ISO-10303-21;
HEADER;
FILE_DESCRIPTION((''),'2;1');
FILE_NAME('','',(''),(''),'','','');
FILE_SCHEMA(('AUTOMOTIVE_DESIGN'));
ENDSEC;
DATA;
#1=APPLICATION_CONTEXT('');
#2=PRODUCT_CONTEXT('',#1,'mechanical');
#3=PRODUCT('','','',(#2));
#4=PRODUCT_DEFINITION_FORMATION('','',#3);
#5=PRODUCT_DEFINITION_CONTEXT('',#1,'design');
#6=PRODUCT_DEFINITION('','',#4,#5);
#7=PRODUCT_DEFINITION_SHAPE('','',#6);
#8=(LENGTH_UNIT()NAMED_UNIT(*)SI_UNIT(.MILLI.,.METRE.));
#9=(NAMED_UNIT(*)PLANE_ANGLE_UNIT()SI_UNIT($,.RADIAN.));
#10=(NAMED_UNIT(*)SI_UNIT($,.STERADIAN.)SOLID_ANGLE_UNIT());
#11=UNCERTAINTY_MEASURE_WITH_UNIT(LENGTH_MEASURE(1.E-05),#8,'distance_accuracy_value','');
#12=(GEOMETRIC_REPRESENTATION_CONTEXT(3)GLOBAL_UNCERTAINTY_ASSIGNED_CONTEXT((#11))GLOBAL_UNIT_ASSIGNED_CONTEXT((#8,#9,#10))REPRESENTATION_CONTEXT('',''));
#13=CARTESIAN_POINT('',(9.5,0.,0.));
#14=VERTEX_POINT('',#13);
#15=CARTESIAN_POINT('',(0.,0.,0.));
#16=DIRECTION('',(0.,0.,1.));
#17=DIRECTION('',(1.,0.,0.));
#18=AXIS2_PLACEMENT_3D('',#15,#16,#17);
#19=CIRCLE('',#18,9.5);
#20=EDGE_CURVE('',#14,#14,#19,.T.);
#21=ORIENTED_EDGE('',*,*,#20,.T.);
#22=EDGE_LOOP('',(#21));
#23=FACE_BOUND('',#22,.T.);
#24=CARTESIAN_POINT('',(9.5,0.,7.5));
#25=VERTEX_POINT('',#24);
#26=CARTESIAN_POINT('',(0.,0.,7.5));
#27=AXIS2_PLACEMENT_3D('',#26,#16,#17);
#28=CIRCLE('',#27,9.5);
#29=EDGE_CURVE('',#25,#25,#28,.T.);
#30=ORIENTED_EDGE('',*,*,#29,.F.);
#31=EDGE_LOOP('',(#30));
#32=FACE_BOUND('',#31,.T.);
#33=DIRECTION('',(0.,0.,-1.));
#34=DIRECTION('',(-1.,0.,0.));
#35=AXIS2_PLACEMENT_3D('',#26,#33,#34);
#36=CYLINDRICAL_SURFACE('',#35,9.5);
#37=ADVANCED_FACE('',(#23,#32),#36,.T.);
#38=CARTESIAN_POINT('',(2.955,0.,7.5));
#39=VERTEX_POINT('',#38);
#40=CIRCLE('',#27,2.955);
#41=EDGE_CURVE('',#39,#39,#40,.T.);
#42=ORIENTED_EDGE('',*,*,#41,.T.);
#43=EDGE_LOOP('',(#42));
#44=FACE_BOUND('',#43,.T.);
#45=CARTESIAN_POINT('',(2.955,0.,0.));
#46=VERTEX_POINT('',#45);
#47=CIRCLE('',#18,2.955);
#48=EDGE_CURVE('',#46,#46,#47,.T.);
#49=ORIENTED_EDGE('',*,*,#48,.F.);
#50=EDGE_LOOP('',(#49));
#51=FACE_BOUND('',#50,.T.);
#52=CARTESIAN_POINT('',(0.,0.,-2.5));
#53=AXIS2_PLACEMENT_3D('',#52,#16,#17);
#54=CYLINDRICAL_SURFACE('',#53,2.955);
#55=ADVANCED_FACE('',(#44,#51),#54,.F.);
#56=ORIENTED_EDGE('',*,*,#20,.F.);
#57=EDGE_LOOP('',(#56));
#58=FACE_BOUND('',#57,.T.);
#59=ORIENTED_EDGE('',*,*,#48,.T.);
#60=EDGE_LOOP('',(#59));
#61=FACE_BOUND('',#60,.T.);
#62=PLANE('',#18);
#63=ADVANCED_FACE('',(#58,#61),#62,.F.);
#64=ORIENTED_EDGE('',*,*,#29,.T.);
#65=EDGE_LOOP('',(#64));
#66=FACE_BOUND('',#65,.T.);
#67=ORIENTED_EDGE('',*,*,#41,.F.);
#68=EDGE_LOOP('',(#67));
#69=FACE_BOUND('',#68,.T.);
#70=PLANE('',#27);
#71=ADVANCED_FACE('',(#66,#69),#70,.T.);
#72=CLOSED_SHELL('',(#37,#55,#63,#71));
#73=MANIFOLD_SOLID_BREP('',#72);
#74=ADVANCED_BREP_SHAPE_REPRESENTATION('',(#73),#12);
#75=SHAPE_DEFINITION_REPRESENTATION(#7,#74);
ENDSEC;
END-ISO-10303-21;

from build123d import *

# Parameters (mm, degrees)
SKETCH1_R          = 9.5
MAIN_EXTRUDE_DEPTH = 7.5
SKETCH2_R          = 2.955
CUT_EXTRUDE1_DEPTH = 10


with BuildPart() as part:
    # Sketch1 → Main Extrude (new body)
    with BuildSketch(Plane.XY):
        Circle(SKETCH1_R)
    extrude(amount=MAIN_EXTRUDE_DEPTH)

    # Sketch2 → Cut-Extrude1 (cut)
    with BuildSketch(Plane.XY.offset(7.5)):
        Circle(SKETCH2_R)
    extrude(amount=-CUT_EXTRUDE1_DEPTH, mode=Mode.SUBTRACT)


solid = part.part
